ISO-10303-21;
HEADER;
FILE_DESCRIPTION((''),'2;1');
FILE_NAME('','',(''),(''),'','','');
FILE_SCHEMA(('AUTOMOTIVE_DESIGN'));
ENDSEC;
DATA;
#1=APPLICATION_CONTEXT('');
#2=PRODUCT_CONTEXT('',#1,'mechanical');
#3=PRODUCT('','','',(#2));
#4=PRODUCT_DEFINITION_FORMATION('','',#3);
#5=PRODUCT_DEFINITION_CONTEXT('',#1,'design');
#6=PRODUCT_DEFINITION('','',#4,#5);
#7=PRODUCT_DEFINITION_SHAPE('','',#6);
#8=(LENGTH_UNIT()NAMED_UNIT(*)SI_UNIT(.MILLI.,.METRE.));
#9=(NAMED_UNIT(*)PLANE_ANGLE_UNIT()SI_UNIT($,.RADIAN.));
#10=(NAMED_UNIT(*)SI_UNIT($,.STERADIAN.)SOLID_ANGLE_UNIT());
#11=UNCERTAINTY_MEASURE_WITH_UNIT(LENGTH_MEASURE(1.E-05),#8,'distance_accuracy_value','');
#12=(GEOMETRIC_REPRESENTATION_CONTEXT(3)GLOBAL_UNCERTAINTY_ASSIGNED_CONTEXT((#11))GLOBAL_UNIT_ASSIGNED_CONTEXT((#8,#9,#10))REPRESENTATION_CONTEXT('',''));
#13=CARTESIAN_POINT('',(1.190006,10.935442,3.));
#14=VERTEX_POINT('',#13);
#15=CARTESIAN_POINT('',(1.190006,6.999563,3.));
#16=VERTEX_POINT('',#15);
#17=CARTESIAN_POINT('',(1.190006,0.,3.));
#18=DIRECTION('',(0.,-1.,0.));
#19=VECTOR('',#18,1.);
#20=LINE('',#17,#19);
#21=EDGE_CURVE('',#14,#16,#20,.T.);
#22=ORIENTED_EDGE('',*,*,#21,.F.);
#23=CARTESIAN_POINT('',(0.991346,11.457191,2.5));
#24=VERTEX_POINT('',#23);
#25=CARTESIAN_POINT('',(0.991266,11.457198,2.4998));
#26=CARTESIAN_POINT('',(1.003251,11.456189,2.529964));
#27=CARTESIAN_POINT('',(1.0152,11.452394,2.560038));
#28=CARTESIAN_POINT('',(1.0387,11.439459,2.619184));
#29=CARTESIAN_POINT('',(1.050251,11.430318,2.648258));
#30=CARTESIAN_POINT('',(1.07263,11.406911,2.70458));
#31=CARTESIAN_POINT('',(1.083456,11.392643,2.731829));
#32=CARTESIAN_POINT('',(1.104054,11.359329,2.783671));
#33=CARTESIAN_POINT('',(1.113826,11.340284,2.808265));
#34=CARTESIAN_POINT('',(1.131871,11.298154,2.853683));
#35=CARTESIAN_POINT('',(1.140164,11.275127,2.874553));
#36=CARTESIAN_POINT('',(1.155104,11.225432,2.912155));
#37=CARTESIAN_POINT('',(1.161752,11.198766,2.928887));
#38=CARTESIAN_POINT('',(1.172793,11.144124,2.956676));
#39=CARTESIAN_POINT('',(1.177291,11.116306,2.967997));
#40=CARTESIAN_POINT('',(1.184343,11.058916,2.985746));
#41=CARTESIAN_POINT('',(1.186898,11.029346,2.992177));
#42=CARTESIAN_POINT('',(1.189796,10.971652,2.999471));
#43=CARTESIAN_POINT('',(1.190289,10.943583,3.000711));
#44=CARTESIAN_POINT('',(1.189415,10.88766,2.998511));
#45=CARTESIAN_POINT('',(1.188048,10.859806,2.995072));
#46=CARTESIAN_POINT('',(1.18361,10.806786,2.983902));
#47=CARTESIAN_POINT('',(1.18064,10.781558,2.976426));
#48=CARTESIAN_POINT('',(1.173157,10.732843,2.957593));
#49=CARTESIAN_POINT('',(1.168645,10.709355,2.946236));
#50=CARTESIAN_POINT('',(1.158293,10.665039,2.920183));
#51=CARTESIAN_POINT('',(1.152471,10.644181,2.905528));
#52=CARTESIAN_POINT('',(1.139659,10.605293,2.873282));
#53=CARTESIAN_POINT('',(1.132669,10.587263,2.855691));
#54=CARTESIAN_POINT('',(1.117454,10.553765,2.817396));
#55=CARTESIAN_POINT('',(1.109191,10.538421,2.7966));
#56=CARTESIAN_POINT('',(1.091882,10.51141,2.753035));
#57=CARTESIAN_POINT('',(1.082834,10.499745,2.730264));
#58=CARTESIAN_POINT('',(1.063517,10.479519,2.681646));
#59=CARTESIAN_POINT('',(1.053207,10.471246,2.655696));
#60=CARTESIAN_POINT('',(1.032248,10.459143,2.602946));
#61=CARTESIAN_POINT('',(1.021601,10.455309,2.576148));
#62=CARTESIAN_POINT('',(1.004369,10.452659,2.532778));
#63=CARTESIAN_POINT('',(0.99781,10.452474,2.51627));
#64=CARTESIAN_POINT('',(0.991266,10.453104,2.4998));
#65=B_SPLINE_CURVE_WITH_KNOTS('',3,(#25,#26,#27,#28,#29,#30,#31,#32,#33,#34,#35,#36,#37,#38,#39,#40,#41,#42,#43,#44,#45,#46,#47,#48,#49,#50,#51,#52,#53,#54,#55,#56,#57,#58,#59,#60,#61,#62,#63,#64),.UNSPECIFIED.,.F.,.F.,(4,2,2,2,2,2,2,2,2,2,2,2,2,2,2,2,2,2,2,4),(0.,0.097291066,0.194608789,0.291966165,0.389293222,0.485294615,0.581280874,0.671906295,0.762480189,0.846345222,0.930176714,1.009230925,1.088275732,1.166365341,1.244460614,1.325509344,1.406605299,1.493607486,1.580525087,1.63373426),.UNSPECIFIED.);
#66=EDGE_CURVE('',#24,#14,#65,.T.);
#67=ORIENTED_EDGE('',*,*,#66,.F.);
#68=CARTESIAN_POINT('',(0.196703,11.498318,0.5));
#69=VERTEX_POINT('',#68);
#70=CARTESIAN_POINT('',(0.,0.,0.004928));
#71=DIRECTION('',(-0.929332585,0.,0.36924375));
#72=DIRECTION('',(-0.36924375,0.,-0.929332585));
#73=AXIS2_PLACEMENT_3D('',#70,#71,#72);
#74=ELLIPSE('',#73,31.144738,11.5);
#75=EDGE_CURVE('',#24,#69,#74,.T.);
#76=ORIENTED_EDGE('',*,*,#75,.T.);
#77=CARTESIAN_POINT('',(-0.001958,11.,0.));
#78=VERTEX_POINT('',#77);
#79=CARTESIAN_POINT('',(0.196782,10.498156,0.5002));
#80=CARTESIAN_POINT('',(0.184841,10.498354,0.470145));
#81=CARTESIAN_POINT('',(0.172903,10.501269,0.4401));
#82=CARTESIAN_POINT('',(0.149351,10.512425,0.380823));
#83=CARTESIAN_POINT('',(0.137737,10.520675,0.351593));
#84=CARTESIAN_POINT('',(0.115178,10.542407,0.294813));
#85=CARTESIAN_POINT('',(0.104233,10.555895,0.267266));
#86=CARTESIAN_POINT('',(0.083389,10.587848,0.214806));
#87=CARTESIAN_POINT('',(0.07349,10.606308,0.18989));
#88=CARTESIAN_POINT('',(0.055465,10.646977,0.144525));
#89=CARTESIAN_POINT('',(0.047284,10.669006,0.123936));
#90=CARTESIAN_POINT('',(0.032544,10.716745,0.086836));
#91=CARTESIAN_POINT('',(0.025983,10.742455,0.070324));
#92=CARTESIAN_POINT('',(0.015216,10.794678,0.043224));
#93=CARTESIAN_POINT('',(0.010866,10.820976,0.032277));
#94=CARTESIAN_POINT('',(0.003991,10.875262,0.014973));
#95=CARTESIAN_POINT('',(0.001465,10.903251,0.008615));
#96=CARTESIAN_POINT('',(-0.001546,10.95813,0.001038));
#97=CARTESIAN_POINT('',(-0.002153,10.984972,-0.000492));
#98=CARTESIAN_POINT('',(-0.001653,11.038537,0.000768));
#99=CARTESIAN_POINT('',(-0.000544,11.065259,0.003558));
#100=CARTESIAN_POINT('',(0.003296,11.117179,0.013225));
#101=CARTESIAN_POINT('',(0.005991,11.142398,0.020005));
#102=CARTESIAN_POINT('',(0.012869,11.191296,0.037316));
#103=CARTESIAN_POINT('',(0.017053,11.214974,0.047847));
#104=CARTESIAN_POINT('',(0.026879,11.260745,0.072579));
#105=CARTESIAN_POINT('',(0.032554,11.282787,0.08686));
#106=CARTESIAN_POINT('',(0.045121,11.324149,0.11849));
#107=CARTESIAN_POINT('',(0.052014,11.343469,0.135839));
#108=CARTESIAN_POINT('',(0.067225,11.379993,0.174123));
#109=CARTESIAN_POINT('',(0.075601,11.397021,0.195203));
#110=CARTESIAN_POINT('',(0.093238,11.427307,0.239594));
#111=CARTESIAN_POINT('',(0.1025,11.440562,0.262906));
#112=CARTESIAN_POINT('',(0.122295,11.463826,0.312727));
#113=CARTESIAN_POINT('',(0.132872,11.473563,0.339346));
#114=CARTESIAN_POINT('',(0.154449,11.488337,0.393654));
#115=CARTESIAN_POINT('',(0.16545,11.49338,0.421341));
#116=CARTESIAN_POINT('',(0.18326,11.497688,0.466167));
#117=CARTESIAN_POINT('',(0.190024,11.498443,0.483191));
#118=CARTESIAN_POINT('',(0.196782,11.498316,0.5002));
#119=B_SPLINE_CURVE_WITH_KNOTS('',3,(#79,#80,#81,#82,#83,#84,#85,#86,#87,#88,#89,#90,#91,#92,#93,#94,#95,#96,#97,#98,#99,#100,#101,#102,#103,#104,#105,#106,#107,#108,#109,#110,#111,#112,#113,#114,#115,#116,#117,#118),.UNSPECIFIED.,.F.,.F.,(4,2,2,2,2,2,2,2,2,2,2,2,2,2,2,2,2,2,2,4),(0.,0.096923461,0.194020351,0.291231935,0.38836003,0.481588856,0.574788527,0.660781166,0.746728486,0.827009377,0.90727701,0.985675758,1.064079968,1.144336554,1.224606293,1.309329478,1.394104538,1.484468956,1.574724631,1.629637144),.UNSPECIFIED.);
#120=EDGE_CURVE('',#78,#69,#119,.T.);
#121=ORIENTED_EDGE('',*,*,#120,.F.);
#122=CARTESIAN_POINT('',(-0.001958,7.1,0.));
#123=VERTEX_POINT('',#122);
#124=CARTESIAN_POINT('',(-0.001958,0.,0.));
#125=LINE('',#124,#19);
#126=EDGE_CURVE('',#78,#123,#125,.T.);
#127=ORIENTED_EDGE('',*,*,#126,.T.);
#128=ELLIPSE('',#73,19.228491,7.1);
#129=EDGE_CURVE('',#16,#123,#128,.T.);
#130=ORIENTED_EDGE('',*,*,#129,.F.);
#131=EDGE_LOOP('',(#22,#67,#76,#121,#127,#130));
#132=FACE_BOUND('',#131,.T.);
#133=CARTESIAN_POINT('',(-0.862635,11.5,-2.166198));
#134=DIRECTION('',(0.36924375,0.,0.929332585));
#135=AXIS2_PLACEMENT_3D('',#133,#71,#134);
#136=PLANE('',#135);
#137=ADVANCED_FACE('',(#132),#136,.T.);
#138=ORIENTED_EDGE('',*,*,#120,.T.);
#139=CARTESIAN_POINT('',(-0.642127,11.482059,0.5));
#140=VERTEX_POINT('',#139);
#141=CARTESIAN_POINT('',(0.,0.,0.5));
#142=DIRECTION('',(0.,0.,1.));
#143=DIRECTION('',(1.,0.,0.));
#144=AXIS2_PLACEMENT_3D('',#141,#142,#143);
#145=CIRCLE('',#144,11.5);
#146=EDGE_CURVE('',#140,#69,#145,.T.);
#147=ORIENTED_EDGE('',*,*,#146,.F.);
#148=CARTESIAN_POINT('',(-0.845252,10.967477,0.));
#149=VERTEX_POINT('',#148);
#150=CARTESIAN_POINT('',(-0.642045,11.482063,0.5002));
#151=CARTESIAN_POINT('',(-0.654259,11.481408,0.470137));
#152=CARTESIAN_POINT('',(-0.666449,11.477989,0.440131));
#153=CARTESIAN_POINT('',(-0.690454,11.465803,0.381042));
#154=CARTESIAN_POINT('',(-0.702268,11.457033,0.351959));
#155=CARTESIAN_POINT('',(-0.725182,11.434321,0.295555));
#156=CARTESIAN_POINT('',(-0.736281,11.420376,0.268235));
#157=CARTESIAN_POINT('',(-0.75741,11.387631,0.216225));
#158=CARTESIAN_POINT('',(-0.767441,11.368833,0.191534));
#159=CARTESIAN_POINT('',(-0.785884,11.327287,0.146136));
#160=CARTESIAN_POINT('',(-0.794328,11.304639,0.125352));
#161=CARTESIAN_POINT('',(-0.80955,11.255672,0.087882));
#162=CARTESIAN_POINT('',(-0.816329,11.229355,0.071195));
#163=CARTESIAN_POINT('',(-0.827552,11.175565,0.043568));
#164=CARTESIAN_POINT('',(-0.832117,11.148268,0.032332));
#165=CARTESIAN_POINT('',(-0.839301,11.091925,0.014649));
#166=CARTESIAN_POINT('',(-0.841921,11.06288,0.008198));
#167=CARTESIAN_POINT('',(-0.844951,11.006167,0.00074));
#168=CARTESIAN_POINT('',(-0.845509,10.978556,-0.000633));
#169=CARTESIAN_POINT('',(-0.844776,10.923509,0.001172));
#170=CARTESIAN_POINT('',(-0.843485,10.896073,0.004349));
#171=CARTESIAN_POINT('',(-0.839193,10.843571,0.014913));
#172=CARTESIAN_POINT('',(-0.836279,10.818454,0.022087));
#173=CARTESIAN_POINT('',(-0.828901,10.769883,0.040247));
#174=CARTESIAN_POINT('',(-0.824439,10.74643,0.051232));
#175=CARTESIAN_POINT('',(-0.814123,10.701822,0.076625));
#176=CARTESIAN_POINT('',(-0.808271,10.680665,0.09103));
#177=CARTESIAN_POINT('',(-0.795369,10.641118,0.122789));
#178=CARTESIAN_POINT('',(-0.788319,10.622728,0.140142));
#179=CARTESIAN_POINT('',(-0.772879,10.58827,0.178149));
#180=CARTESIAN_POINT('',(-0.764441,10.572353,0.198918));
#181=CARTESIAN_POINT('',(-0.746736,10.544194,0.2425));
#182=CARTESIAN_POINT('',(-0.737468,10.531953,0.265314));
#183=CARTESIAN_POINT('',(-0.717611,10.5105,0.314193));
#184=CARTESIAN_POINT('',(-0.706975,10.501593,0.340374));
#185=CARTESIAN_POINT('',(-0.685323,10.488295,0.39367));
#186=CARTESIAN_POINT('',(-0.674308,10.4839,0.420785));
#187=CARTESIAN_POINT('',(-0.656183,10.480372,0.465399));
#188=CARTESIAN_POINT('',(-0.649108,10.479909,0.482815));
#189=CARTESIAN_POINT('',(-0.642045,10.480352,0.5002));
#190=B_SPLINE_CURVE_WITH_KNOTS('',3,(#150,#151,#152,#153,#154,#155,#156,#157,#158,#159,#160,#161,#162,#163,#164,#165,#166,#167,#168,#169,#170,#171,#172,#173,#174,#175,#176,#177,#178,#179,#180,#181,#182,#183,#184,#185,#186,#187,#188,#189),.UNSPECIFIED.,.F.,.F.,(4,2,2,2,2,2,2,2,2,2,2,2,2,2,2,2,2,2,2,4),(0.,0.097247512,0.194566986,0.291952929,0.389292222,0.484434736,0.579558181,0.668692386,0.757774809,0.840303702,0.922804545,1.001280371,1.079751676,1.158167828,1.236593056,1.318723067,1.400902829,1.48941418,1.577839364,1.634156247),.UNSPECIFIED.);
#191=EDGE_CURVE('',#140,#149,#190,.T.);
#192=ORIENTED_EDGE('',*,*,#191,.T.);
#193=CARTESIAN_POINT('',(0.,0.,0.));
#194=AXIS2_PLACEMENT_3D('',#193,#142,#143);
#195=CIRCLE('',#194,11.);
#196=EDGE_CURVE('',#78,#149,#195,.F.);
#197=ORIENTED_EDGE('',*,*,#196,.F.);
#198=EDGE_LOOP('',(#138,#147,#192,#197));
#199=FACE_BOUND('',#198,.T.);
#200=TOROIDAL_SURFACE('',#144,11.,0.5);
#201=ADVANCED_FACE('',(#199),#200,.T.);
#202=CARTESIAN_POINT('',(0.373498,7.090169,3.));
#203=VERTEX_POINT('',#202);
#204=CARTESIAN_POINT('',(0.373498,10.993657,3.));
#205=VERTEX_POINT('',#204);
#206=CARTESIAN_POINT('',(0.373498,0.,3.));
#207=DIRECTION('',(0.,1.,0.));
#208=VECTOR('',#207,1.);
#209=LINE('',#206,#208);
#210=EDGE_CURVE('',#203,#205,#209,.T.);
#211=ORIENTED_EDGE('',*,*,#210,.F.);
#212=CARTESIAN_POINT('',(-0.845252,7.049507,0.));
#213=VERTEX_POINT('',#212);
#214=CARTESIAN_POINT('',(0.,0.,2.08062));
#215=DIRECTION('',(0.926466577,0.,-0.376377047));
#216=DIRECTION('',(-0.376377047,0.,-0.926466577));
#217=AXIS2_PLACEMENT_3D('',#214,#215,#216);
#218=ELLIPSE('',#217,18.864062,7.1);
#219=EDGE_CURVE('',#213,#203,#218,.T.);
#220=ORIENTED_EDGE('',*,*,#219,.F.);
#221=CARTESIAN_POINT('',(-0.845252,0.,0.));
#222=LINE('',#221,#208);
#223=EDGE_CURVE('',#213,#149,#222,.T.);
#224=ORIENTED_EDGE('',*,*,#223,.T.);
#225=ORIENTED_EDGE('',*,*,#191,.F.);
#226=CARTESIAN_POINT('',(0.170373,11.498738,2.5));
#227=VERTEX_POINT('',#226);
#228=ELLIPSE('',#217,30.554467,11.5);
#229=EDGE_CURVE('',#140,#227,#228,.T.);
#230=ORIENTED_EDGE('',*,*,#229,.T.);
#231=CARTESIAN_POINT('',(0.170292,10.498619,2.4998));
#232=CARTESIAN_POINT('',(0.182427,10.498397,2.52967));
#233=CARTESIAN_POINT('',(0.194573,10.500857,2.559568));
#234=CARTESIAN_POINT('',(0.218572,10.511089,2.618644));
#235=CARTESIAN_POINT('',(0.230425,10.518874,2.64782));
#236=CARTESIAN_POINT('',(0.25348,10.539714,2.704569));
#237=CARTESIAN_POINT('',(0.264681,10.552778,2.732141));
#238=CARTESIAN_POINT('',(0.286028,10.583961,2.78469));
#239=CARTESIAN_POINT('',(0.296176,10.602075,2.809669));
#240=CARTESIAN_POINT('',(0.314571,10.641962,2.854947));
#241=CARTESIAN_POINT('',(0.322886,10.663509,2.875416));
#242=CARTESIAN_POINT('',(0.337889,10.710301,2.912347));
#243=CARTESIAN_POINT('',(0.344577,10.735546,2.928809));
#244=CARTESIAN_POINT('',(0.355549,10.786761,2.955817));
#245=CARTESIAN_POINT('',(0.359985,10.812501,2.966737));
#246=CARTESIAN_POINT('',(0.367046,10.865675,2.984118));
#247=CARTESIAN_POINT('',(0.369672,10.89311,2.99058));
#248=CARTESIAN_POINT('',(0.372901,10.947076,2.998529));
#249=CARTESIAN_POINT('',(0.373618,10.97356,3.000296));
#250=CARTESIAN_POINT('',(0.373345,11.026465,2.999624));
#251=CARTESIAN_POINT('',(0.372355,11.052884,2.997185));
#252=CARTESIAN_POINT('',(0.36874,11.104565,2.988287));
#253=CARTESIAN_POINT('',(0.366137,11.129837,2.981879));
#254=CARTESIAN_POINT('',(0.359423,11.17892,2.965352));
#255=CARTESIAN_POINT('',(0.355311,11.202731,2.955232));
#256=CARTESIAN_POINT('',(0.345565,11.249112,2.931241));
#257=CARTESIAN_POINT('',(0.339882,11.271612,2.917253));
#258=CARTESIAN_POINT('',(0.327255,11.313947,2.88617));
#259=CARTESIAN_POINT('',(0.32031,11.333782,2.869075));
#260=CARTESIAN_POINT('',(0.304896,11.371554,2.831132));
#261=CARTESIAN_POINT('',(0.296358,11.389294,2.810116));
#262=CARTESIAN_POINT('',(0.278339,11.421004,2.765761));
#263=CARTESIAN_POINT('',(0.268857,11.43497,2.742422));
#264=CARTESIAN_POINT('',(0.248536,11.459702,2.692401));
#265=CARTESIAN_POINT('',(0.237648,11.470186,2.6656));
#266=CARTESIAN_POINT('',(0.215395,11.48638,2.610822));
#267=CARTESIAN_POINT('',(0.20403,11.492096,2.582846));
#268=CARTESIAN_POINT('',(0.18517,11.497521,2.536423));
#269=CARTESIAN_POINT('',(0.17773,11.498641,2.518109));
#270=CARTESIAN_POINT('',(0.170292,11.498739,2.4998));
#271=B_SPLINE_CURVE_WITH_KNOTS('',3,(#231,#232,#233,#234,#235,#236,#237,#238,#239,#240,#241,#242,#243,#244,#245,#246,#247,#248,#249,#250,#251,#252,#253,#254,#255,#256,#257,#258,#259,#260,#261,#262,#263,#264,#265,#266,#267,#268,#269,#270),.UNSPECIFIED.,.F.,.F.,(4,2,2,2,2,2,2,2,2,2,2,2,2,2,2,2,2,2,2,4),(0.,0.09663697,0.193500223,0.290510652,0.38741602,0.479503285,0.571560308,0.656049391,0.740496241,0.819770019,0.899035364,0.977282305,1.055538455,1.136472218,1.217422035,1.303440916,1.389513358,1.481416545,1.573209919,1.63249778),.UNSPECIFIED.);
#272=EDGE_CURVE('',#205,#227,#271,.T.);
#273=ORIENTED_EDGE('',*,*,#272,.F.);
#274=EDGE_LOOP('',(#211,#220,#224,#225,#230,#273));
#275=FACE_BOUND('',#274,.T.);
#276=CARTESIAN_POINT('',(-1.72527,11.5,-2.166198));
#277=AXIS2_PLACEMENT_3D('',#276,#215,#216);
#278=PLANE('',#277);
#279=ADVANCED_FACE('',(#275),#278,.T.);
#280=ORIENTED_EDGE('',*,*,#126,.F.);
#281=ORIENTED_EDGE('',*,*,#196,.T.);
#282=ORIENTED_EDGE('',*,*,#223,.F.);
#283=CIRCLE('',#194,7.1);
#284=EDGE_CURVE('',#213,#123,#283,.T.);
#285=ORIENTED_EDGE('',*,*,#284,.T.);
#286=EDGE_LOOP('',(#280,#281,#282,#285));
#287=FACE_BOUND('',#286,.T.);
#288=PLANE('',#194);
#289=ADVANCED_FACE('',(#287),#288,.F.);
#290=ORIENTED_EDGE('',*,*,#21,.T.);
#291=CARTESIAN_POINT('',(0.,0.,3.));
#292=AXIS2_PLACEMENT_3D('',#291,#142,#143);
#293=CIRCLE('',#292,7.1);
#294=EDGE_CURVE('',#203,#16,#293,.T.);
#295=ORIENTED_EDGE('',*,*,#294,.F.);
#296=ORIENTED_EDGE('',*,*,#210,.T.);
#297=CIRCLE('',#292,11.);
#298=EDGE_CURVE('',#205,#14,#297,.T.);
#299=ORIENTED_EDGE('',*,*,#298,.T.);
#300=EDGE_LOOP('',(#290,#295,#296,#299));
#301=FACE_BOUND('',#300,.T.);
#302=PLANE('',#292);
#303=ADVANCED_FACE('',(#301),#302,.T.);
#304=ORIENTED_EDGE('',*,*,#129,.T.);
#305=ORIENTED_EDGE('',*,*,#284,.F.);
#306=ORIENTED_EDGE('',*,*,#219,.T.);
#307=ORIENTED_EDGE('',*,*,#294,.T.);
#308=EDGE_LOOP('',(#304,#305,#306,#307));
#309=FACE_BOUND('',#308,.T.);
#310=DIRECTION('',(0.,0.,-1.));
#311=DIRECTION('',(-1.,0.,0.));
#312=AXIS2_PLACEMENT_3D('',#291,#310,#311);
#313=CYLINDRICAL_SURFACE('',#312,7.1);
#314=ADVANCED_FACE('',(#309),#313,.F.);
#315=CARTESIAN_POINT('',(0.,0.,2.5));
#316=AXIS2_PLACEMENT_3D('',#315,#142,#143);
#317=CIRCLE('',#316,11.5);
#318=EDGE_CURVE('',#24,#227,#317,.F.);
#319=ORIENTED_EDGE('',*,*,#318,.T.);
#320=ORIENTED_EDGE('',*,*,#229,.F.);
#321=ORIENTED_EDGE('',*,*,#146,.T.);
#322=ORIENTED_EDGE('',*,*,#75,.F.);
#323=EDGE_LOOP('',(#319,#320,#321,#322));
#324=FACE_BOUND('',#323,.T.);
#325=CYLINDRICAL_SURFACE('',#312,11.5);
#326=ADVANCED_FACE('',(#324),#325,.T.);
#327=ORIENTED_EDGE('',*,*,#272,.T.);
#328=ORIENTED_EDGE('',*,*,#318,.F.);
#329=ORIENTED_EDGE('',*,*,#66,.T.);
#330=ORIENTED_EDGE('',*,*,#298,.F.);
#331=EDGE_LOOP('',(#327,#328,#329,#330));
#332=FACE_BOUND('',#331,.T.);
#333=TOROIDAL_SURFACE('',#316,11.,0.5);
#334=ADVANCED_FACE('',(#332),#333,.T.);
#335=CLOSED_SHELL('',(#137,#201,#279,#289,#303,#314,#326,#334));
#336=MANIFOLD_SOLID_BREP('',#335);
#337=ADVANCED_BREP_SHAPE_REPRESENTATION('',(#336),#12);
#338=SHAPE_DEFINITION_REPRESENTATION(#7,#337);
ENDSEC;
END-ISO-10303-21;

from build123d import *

# Parameters (mm, degrees)
ESQUISSE1_R             = 11.5
ESQUISSE1_R_2           = 7.1
EXTRUSION1_DEPTH        = 3
CONG_2_R                = 0.5
ENL_V_MAT_EXTRU_1_DEPTH = 12.5000001


with BuildPart() as part:
    # Esquisse1 → Extrusion1 (new body)
    with BuildSketch(Plane.XY):
        Circle(ESQUISSE1_R)
        Circle(ESQUISSE1_R_2, mode=Mode.SUBTRACT)
    extrude(amount=EXTRUSION1_DEPTH)

    # Congé2
    cong_2_edges = [part.edges().sort_by_distance(p)[0] for p in [
        (-11.5, 0, 0),
        (-11.5, 0, 3),
    ]]
    fillet(cong_2_edges, radius=CONG_2_R)

    # Esquisse2 → Enlèv. mat.-Extru.1 (cut, through all)
    with BuildSketch(Plane(origin=(0, 0, 0), x_dir=(1, 0, 0), z_dir=(0, 1, 0))):
        Polygon((-0.862634787, 2.166197843), (1.536568214, -3.872245663), (0.727848101, -3.872245663), (-1.725269573, 2.166197843), align=None)
    extrude(amount=ENL_V_MAT_EXTRU_1_DEPTH, mode=Mode.SUBTRACT)


solid = part.part
